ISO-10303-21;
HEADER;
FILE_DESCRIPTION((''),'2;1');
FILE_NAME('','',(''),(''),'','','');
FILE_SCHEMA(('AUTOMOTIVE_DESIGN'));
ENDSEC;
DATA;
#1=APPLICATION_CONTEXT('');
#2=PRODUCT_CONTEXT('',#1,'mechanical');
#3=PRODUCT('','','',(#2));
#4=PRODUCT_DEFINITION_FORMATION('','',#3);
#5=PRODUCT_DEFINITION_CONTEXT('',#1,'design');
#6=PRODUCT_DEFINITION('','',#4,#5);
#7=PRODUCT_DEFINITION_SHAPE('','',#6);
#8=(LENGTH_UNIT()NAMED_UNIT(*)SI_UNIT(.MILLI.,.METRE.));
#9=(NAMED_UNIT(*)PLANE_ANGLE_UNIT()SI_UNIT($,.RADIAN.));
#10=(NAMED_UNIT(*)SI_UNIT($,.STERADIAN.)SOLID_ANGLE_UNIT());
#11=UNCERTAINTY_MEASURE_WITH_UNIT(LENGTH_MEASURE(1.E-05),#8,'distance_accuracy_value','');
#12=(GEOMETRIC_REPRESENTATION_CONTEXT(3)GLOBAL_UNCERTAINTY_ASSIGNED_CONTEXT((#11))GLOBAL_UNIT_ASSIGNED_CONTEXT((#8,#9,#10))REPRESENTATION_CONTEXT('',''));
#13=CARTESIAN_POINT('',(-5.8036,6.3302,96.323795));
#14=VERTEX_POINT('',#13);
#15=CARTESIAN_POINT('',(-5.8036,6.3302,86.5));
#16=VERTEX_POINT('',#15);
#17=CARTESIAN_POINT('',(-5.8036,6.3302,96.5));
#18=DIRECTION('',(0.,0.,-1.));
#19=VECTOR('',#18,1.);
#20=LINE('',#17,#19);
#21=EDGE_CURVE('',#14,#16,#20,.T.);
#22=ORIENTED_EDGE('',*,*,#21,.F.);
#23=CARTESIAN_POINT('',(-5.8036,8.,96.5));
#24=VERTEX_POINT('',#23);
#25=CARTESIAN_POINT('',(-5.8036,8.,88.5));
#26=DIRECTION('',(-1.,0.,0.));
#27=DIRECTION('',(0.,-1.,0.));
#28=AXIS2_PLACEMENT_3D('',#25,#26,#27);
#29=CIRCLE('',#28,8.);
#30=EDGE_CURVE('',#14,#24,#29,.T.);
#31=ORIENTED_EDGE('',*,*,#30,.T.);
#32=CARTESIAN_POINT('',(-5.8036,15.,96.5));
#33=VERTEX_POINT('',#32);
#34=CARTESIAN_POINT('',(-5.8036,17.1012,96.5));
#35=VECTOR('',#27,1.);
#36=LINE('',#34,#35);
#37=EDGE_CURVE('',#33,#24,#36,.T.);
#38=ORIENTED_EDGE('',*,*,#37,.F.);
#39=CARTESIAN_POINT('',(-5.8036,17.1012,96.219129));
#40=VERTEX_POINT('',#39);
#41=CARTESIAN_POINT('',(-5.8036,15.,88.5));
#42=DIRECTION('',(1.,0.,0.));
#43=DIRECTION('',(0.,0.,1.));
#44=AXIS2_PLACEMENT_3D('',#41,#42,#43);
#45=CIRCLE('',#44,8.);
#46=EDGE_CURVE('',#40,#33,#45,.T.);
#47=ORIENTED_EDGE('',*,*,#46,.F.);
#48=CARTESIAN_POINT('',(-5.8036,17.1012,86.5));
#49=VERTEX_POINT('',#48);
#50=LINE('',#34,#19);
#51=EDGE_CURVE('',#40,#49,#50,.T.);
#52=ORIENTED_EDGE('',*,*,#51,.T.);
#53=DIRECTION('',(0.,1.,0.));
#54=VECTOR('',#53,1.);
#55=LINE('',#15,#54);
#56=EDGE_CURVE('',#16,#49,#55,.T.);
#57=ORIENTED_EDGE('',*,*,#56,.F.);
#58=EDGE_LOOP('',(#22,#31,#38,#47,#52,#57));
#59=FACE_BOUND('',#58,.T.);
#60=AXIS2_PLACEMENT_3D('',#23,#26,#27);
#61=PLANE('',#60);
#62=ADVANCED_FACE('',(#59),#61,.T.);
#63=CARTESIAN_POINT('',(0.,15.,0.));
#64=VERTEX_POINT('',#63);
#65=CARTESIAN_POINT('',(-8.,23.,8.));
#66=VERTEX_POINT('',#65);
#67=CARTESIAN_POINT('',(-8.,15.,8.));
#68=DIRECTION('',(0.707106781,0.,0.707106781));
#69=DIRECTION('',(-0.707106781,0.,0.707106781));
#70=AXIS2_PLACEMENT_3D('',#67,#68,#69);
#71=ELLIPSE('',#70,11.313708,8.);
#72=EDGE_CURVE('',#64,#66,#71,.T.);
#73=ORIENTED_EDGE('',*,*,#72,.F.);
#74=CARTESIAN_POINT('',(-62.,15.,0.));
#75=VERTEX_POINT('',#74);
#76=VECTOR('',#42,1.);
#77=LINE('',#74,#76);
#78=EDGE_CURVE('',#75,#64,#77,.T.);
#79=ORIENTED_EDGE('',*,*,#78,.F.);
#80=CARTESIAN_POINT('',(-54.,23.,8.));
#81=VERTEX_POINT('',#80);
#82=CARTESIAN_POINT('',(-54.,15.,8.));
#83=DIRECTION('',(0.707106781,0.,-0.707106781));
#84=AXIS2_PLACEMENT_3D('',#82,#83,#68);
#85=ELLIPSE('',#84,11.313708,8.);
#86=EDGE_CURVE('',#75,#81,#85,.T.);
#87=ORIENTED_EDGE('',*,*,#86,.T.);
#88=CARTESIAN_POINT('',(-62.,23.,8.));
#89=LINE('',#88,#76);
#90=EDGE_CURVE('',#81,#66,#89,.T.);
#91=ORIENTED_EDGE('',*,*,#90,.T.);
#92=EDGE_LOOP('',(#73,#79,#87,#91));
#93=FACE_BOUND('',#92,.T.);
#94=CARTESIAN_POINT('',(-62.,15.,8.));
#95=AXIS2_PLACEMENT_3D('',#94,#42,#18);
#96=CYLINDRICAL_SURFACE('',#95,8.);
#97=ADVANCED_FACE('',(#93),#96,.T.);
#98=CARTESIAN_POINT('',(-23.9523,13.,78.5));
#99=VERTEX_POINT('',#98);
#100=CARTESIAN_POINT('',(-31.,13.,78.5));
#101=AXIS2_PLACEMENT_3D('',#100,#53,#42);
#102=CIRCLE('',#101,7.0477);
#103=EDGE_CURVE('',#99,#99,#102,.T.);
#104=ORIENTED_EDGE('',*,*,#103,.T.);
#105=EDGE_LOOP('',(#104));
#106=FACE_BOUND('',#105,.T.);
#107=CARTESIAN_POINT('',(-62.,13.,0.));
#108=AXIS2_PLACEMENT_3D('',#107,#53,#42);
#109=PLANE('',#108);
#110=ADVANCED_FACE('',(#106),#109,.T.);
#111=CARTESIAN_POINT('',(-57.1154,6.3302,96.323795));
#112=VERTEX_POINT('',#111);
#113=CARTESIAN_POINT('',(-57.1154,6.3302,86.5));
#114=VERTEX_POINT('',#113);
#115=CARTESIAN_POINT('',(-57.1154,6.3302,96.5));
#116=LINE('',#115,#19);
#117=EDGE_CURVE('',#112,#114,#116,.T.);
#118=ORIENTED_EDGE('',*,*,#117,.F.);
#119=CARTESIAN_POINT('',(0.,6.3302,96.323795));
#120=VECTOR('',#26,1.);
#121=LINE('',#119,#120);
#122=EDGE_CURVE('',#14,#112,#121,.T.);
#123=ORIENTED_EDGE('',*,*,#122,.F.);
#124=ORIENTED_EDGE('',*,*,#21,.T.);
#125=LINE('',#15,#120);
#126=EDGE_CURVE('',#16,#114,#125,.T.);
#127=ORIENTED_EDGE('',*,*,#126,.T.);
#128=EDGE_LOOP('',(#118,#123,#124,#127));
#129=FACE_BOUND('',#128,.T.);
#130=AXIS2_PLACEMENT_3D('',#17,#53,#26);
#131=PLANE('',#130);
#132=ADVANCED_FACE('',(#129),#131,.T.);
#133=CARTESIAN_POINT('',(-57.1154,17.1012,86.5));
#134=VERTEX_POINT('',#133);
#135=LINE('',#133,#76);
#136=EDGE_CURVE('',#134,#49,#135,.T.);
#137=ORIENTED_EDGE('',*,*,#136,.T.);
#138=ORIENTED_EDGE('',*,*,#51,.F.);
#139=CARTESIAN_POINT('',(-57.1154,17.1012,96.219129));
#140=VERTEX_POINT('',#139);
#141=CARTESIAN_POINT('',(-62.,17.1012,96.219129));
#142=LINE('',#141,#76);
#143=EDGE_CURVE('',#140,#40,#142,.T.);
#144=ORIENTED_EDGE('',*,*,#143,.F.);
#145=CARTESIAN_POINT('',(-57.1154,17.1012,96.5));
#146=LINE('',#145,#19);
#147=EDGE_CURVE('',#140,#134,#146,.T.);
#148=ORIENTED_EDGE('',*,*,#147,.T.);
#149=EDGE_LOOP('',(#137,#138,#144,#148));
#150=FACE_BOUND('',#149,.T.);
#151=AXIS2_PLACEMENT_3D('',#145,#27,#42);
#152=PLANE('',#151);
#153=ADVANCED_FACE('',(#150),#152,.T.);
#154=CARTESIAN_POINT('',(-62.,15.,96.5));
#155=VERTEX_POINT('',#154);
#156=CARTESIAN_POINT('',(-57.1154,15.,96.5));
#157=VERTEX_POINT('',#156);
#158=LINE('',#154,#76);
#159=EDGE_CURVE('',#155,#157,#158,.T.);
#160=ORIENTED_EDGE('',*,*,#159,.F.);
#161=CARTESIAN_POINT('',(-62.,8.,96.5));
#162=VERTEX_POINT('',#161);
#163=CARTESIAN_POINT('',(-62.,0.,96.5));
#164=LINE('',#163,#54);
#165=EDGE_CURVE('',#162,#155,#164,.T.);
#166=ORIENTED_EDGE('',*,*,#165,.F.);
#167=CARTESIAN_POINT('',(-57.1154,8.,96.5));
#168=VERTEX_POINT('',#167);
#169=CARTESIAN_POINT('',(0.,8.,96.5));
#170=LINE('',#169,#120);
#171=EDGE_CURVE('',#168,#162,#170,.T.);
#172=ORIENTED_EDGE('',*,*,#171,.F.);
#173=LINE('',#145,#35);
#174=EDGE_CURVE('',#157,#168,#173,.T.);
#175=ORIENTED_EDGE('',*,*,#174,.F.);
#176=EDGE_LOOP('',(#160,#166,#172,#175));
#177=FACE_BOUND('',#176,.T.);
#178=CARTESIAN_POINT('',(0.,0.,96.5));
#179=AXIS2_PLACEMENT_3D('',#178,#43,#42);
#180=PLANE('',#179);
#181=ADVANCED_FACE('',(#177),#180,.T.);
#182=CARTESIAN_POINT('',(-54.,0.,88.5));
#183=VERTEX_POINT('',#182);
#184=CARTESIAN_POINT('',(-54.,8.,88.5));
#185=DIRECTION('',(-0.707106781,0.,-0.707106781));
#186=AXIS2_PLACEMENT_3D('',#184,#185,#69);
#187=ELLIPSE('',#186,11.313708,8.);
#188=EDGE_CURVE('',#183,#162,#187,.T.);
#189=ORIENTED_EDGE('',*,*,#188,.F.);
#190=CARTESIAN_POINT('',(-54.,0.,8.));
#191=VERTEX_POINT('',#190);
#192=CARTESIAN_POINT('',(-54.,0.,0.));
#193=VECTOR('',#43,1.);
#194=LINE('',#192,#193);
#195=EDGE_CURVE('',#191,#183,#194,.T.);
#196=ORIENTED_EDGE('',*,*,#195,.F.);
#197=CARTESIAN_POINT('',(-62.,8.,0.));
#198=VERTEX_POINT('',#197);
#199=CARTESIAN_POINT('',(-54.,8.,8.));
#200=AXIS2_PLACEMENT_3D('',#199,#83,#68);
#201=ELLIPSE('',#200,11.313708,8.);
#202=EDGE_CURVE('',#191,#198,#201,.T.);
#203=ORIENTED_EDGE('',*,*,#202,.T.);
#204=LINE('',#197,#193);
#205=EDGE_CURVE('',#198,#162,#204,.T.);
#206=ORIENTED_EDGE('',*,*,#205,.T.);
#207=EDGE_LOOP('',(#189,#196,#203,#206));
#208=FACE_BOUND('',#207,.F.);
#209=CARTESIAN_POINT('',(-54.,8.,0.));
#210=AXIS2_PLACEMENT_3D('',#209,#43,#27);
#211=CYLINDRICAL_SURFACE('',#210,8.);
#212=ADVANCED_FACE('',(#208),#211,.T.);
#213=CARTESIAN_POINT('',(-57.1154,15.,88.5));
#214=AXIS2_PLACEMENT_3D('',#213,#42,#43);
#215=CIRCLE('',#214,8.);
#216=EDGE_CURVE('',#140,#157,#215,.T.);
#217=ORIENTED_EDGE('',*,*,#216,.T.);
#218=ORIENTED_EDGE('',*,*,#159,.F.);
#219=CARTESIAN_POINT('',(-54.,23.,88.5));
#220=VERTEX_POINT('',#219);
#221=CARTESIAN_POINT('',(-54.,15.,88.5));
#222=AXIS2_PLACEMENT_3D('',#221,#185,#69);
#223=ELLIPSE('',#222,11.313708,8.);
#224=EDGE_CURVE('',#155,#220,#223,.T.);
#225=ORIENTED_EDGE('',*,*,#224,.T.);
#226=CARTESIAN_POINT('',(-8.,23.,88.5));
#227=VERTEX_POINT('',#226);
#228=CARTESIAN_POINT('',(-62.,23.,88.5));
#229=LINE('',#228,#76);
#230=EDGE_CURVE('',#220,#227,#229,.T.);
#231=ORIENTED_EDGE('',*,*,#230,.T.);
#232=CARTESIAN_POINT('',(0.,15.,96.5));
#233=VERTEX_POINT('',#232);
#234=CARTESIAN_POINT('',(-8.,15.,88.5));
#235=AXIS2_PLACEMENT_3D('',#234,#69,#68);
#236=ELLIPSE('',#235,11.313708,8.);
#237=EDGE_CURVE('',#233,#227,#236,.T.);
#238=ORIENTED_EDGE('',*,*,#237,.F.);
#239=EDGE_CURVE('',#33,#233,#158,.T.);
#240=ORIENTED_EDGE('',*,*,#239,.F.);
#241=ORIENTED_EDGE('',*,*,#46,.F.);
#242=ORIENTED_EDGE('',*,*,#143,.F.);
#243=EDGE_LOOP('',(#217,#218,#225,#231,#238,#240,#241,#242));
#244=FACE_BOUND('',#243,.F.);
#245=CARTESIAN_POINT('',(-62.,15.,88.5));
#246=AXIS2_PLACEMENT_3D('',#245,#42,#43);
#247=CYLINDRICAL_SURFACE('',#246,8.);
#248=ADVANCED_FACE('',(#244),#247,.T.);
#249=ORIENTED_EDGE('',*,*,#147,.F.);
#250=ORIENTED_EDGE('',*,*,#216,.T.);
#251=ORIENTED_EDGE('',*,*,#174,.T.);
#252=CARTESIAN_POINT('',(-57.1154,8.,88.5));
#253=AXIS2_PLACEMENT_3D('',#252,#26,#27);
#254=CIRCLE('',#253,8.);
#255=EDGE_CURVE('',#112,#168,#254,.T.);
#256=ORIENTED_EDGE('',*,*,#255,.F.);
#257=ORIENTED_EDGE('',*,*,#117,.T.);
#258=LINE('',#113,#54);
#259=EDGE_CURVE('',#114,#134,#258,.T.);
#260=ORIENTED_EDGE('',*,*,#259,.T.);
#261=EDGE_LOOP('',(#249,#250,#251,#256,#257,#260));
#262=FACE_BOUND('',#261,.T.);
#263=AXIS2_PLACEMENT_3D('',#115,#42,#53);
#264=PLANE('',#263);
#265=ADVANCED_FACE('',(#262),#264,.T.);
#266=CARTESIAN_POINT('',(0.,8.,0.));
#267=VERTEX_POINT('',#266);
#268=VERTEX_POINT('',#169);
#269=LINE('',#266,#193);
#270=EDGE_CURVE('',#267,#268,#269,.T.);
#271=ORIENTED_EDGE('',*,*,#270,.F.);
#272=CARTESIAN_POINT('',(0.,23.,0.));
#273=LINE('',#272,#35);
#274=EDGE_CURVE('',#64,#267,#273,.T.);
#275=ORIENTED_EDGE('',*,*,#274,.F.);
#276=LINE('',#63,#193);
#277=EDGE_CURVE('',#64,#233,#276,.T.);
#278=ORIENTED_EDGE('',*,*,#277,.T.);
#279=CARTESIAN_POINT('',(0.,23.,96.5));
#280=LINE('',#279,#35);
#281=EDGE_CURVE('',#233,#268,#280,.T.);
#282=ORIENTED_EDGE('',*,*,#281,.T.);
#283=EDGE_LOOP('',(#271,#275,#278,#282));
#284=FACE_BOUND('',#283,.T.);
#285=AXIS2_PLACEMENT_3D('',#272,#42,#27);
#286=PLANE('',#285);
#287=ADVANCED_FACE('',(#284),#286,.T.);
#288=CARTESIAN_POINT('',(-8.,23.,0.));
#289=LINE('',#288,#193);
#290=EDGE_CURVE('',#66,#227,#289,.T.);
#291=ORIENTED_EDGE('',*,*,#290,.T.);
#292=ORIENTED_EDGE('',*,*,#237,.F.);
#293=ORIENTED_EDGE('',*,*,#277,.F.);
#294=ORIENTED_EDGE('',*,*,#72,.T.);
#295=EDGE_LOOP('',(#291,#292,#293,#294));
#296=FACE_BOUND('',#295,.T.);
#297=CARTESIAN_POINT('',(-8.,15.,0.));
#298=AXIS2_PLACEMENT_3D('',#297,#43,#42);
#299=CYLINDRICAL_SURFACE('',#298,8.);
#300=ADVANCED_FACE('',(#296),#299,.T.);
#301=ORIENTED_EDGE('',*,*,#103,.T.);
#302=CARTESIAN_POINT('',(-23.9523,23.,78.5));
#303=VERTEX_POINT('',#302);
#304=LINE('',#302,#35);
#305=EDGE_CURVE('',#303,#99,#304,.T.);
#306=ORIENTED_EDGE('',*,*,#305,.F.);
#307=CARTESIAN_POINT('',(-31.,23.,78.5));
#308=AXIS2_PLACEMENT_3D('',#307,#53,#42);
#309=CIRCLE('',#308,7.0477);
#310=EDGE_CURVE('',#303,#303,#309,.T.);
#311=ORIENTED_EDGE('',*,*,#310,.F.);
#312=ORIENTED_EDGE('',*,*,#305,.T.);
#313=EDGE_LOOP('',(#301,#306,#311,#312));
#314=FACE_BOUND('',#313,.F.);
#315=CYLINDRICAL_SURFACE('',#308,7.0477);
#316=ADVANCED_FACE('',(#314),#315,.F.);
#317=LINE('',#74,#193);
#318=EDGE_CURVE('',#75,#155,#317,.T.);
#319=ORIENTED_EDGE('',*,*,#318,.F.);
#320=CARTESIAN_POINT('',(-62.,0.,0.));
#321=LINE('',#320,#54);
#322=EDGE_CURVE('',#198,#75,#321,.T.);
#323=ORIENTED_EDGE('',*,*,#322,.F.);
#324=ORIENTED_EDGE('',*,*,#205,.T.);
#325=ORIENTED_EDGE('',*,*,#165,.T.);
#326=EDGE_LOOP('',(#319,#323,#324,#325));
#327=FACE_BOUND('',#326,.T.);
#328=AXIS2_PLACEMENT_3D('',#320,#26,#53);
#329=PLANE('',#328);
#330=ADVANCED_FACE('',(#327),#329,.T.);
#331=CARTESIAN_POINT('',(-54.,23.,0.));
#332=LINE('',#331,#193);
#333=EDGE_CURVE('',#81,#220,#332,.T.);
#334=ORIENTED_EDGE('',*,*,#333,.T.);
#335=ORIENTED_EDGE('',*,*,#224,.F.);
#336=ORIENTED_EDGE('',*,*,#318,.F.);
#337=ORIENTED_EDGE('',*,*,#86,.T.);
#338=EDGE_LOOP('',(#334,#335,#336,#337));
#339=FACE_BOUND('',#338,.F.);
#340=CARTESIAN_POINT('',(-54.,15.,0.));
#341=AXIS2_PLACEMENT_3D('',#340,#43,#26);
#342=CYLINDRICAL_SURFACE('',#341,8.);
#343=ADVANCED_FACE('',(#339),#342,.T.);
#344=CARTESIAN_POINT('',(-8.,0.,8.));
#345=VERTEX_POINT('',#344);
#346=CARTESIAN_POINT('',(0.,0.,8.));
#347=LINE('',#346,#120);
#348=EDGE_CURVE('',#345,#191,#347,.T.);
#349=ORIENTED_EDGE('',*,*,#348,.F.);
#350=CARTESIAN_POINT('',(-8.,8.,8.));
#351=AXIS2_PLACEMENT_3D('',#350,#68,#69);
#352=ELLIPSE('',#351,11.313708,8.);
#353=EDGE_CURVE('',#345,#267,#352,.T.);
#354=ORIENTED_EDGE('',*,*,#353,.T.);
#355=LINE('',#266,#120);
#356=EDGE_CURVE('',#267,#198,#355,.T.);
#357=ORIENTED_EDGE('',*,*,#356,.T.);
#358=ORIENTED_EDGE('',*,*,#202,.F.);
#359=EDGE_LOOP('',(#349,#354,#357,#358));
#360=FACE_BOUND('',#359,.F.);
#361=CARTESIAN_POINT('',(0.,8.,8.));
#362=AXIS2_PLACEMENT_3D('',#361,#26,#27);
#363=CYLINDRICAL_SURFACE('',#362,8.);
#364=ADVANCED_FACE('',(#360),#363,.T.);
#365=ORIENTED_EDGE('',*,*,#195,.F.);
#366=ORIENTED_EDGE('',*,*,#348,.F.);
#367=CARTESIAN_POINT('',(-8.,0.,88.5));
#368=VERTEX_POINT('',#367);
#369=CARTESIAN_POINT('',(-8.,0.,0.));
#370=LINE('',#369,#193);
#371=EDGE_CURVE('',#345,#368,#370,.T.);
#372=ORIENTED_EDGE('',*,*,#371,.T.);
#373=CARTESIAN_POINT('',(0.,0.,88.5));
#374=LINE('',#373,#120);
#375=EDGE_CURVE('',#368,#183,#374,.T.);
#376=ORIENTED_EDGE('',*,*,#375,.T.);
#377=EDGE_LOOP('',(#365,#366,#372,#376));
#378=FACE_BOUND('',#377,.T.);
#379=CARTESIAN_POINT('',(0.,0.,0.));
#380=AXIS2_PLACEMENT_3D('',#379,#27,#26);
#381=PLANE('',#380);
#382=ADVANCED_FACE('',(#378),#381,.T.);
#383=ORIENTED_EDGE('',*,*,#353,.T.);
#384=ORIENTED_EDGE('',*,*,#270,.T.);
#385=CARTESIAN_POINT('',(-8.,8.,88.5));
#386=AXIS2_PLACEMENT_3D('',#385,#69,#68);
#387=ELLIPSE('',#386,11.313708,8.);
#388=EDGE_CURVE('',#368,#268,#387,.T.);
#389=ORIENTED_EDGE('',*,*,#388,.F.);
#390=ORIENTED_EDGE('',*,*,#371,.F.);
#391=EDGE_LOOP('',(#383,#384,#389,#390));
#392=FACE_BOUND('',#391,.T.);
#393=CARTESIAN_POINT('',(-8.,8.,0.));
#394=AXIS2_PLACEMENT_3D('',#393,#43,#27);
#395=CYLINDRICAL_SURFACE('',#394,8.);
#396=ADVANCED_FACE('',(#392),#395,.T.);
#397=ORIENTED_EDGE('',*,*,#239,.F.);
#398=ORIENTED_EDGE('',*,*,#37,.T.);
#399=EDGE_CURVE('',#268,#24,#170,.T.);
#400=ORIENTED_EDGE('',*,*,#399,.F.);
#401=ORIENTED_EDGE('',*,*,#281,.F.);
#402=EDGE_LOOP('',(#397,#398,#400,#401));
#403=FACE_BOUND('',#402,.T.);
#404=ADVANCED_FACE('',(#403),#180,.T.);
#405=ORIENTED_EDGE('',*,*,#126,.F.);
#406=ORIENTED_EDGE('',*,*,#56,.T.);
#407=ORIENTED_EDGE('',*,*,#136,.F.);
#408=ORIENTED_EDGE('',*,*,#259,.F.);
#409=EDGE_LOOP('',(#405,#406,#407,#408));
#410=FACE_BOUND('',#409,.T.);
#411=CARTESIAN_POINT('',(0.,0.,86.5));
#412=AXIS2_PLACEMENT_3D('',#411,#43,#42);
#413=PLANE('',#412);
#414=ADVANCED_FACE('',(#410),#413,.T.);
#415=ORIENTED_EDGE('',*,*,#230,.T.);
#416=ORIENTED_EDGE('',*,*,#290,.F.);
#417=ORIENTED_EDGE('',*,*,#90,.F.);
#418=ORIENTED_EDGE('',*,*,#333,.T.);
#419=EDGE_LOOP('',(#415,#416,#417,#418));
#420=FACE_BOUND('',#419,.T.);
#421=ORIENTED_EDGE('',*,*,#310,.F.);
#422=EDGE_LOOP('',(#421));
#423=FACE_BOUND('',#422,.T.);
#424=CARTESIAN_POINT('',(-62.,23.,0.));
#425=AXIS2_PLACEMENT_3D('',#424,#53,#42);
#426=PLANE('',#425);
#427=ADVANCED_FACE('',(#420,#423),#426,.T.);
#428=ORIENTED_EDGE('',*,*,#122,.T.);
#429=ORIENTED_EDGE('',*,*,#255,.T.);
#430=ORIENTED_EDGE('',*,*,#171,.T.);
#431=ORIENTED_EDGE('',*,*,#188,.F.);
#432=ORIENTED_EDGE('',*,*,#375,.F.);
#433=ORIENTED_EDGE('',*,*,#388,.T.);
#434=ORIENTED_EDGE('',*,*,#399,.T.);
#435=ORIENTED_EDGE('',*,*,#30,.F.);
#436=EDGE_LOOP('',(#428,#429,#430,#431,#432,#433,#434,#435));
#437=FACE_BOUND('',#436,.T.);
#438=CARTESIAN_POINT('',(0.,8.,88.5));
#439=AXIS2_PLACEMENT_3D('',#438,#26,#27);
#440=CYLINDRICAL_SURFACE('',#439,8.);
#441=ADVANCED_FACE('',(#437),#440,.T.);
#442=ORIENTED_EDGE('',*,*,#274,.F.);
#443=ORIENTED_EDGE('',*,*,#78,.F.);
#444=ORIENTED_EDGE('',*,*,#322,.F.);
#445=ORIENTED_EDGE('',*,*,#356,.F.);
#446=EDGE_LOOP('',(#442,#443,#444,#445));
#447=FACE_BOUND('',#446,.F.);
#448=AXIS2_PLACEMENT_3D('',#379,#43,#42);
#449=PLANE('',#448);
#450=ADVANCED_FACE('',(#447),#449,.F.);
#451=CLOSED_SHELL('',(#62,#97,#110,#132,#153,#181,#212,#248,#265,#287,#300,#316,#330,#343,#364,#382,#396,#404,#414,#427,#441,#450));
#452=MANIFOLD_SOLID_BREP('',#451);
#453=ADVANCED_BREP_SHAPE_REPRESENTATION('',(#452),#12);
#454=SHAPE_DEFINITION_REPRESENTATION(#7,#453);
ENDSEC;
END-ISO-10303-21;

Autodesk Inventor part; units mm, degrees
ref_plane "YZ Plane" through (0, 0, 0) normal (1, 0, 0) x (0, 1, 0)
ref_plane "XZ Plane" through (0, 0, 0) normal (0, 1, 0) x (-1, 0, 0)
ref_plane "XY Plane" through (0, 0, 0) normal (0, 0, 1) x (1, 0, 0)
sketch "Skizze1" plane through (0, 0, 0) normal (0, 0, 1) x (1, 0, 0)
  line L0 (0, 0) -> (-62, 0)
  line L1 (-62, 0) -> (-62, 23)
  line L2 (-62, 23) -> (0, 23)
  line L3 (0, 23) -> (0, 0)
  dimension "d0" = 62
  dimension "d1" = 23
extrude "Extrusion1" add sketch "Skizze1" along normal blind 96.5
sketch "Skizze2" plane through (-62, 23, 0) normal (0, 1, 0) x (1, 0, 0)
  circle A0 centre (31, -78.5) radius 7.0477
  line L0 (62, -96.5) -> (0, -96.5) projected
  line L1 (0, 0) -> (0, -96.5) projected
  point P0 (62, 0)
  dimension "d4" = 18
  dimension "d5" = 31
extrude "Extrusion2" cut sketch "Skizze2" against normal blind 10
fillet "Rundung1" radius 8 8 edges at (0, 23, 48.25) (0, 0, 48.25) (-62, 23, 48.25) (-62, 0, 48.25) (-31, 0, 96.5) (-31, 23, 96.5) (-31, 23, 0) (-31, 0, 0)
sketch "Skizze3" plane through (0, 0, 96.5) normal (0, 0, 1) x (1, 0, 0)
  line L0 (0, 8) -> (-62, 8) projected
  line L1 (0, 8) -> (0, 15) projected
  line L2 (-62, 15) -> (0, 15) projected
  line L3 (-62, 15) -> (-62, 8) projected
  line L4 (-57.1154, 17.1012) -> (-5.8036, 17.1012)
  line L5 (-5.8036, 17.1012) -> (-5.8036, 6.3302)
  line L6 (-5.8036, 6.3302) -> (-57.1154, 6.3302)
  line L7 (-57.1154, 6.3302) -> (-57.1154, 17.1012)
  point P0 (0, 0)
extrude "Extrusion3" cut sketch "Skizze3" against normal blind 10 contours L5 L6 L7 L0 | L0 L7 L2 L5 | L2 L7 L4 L5
properties part number "Anker"
